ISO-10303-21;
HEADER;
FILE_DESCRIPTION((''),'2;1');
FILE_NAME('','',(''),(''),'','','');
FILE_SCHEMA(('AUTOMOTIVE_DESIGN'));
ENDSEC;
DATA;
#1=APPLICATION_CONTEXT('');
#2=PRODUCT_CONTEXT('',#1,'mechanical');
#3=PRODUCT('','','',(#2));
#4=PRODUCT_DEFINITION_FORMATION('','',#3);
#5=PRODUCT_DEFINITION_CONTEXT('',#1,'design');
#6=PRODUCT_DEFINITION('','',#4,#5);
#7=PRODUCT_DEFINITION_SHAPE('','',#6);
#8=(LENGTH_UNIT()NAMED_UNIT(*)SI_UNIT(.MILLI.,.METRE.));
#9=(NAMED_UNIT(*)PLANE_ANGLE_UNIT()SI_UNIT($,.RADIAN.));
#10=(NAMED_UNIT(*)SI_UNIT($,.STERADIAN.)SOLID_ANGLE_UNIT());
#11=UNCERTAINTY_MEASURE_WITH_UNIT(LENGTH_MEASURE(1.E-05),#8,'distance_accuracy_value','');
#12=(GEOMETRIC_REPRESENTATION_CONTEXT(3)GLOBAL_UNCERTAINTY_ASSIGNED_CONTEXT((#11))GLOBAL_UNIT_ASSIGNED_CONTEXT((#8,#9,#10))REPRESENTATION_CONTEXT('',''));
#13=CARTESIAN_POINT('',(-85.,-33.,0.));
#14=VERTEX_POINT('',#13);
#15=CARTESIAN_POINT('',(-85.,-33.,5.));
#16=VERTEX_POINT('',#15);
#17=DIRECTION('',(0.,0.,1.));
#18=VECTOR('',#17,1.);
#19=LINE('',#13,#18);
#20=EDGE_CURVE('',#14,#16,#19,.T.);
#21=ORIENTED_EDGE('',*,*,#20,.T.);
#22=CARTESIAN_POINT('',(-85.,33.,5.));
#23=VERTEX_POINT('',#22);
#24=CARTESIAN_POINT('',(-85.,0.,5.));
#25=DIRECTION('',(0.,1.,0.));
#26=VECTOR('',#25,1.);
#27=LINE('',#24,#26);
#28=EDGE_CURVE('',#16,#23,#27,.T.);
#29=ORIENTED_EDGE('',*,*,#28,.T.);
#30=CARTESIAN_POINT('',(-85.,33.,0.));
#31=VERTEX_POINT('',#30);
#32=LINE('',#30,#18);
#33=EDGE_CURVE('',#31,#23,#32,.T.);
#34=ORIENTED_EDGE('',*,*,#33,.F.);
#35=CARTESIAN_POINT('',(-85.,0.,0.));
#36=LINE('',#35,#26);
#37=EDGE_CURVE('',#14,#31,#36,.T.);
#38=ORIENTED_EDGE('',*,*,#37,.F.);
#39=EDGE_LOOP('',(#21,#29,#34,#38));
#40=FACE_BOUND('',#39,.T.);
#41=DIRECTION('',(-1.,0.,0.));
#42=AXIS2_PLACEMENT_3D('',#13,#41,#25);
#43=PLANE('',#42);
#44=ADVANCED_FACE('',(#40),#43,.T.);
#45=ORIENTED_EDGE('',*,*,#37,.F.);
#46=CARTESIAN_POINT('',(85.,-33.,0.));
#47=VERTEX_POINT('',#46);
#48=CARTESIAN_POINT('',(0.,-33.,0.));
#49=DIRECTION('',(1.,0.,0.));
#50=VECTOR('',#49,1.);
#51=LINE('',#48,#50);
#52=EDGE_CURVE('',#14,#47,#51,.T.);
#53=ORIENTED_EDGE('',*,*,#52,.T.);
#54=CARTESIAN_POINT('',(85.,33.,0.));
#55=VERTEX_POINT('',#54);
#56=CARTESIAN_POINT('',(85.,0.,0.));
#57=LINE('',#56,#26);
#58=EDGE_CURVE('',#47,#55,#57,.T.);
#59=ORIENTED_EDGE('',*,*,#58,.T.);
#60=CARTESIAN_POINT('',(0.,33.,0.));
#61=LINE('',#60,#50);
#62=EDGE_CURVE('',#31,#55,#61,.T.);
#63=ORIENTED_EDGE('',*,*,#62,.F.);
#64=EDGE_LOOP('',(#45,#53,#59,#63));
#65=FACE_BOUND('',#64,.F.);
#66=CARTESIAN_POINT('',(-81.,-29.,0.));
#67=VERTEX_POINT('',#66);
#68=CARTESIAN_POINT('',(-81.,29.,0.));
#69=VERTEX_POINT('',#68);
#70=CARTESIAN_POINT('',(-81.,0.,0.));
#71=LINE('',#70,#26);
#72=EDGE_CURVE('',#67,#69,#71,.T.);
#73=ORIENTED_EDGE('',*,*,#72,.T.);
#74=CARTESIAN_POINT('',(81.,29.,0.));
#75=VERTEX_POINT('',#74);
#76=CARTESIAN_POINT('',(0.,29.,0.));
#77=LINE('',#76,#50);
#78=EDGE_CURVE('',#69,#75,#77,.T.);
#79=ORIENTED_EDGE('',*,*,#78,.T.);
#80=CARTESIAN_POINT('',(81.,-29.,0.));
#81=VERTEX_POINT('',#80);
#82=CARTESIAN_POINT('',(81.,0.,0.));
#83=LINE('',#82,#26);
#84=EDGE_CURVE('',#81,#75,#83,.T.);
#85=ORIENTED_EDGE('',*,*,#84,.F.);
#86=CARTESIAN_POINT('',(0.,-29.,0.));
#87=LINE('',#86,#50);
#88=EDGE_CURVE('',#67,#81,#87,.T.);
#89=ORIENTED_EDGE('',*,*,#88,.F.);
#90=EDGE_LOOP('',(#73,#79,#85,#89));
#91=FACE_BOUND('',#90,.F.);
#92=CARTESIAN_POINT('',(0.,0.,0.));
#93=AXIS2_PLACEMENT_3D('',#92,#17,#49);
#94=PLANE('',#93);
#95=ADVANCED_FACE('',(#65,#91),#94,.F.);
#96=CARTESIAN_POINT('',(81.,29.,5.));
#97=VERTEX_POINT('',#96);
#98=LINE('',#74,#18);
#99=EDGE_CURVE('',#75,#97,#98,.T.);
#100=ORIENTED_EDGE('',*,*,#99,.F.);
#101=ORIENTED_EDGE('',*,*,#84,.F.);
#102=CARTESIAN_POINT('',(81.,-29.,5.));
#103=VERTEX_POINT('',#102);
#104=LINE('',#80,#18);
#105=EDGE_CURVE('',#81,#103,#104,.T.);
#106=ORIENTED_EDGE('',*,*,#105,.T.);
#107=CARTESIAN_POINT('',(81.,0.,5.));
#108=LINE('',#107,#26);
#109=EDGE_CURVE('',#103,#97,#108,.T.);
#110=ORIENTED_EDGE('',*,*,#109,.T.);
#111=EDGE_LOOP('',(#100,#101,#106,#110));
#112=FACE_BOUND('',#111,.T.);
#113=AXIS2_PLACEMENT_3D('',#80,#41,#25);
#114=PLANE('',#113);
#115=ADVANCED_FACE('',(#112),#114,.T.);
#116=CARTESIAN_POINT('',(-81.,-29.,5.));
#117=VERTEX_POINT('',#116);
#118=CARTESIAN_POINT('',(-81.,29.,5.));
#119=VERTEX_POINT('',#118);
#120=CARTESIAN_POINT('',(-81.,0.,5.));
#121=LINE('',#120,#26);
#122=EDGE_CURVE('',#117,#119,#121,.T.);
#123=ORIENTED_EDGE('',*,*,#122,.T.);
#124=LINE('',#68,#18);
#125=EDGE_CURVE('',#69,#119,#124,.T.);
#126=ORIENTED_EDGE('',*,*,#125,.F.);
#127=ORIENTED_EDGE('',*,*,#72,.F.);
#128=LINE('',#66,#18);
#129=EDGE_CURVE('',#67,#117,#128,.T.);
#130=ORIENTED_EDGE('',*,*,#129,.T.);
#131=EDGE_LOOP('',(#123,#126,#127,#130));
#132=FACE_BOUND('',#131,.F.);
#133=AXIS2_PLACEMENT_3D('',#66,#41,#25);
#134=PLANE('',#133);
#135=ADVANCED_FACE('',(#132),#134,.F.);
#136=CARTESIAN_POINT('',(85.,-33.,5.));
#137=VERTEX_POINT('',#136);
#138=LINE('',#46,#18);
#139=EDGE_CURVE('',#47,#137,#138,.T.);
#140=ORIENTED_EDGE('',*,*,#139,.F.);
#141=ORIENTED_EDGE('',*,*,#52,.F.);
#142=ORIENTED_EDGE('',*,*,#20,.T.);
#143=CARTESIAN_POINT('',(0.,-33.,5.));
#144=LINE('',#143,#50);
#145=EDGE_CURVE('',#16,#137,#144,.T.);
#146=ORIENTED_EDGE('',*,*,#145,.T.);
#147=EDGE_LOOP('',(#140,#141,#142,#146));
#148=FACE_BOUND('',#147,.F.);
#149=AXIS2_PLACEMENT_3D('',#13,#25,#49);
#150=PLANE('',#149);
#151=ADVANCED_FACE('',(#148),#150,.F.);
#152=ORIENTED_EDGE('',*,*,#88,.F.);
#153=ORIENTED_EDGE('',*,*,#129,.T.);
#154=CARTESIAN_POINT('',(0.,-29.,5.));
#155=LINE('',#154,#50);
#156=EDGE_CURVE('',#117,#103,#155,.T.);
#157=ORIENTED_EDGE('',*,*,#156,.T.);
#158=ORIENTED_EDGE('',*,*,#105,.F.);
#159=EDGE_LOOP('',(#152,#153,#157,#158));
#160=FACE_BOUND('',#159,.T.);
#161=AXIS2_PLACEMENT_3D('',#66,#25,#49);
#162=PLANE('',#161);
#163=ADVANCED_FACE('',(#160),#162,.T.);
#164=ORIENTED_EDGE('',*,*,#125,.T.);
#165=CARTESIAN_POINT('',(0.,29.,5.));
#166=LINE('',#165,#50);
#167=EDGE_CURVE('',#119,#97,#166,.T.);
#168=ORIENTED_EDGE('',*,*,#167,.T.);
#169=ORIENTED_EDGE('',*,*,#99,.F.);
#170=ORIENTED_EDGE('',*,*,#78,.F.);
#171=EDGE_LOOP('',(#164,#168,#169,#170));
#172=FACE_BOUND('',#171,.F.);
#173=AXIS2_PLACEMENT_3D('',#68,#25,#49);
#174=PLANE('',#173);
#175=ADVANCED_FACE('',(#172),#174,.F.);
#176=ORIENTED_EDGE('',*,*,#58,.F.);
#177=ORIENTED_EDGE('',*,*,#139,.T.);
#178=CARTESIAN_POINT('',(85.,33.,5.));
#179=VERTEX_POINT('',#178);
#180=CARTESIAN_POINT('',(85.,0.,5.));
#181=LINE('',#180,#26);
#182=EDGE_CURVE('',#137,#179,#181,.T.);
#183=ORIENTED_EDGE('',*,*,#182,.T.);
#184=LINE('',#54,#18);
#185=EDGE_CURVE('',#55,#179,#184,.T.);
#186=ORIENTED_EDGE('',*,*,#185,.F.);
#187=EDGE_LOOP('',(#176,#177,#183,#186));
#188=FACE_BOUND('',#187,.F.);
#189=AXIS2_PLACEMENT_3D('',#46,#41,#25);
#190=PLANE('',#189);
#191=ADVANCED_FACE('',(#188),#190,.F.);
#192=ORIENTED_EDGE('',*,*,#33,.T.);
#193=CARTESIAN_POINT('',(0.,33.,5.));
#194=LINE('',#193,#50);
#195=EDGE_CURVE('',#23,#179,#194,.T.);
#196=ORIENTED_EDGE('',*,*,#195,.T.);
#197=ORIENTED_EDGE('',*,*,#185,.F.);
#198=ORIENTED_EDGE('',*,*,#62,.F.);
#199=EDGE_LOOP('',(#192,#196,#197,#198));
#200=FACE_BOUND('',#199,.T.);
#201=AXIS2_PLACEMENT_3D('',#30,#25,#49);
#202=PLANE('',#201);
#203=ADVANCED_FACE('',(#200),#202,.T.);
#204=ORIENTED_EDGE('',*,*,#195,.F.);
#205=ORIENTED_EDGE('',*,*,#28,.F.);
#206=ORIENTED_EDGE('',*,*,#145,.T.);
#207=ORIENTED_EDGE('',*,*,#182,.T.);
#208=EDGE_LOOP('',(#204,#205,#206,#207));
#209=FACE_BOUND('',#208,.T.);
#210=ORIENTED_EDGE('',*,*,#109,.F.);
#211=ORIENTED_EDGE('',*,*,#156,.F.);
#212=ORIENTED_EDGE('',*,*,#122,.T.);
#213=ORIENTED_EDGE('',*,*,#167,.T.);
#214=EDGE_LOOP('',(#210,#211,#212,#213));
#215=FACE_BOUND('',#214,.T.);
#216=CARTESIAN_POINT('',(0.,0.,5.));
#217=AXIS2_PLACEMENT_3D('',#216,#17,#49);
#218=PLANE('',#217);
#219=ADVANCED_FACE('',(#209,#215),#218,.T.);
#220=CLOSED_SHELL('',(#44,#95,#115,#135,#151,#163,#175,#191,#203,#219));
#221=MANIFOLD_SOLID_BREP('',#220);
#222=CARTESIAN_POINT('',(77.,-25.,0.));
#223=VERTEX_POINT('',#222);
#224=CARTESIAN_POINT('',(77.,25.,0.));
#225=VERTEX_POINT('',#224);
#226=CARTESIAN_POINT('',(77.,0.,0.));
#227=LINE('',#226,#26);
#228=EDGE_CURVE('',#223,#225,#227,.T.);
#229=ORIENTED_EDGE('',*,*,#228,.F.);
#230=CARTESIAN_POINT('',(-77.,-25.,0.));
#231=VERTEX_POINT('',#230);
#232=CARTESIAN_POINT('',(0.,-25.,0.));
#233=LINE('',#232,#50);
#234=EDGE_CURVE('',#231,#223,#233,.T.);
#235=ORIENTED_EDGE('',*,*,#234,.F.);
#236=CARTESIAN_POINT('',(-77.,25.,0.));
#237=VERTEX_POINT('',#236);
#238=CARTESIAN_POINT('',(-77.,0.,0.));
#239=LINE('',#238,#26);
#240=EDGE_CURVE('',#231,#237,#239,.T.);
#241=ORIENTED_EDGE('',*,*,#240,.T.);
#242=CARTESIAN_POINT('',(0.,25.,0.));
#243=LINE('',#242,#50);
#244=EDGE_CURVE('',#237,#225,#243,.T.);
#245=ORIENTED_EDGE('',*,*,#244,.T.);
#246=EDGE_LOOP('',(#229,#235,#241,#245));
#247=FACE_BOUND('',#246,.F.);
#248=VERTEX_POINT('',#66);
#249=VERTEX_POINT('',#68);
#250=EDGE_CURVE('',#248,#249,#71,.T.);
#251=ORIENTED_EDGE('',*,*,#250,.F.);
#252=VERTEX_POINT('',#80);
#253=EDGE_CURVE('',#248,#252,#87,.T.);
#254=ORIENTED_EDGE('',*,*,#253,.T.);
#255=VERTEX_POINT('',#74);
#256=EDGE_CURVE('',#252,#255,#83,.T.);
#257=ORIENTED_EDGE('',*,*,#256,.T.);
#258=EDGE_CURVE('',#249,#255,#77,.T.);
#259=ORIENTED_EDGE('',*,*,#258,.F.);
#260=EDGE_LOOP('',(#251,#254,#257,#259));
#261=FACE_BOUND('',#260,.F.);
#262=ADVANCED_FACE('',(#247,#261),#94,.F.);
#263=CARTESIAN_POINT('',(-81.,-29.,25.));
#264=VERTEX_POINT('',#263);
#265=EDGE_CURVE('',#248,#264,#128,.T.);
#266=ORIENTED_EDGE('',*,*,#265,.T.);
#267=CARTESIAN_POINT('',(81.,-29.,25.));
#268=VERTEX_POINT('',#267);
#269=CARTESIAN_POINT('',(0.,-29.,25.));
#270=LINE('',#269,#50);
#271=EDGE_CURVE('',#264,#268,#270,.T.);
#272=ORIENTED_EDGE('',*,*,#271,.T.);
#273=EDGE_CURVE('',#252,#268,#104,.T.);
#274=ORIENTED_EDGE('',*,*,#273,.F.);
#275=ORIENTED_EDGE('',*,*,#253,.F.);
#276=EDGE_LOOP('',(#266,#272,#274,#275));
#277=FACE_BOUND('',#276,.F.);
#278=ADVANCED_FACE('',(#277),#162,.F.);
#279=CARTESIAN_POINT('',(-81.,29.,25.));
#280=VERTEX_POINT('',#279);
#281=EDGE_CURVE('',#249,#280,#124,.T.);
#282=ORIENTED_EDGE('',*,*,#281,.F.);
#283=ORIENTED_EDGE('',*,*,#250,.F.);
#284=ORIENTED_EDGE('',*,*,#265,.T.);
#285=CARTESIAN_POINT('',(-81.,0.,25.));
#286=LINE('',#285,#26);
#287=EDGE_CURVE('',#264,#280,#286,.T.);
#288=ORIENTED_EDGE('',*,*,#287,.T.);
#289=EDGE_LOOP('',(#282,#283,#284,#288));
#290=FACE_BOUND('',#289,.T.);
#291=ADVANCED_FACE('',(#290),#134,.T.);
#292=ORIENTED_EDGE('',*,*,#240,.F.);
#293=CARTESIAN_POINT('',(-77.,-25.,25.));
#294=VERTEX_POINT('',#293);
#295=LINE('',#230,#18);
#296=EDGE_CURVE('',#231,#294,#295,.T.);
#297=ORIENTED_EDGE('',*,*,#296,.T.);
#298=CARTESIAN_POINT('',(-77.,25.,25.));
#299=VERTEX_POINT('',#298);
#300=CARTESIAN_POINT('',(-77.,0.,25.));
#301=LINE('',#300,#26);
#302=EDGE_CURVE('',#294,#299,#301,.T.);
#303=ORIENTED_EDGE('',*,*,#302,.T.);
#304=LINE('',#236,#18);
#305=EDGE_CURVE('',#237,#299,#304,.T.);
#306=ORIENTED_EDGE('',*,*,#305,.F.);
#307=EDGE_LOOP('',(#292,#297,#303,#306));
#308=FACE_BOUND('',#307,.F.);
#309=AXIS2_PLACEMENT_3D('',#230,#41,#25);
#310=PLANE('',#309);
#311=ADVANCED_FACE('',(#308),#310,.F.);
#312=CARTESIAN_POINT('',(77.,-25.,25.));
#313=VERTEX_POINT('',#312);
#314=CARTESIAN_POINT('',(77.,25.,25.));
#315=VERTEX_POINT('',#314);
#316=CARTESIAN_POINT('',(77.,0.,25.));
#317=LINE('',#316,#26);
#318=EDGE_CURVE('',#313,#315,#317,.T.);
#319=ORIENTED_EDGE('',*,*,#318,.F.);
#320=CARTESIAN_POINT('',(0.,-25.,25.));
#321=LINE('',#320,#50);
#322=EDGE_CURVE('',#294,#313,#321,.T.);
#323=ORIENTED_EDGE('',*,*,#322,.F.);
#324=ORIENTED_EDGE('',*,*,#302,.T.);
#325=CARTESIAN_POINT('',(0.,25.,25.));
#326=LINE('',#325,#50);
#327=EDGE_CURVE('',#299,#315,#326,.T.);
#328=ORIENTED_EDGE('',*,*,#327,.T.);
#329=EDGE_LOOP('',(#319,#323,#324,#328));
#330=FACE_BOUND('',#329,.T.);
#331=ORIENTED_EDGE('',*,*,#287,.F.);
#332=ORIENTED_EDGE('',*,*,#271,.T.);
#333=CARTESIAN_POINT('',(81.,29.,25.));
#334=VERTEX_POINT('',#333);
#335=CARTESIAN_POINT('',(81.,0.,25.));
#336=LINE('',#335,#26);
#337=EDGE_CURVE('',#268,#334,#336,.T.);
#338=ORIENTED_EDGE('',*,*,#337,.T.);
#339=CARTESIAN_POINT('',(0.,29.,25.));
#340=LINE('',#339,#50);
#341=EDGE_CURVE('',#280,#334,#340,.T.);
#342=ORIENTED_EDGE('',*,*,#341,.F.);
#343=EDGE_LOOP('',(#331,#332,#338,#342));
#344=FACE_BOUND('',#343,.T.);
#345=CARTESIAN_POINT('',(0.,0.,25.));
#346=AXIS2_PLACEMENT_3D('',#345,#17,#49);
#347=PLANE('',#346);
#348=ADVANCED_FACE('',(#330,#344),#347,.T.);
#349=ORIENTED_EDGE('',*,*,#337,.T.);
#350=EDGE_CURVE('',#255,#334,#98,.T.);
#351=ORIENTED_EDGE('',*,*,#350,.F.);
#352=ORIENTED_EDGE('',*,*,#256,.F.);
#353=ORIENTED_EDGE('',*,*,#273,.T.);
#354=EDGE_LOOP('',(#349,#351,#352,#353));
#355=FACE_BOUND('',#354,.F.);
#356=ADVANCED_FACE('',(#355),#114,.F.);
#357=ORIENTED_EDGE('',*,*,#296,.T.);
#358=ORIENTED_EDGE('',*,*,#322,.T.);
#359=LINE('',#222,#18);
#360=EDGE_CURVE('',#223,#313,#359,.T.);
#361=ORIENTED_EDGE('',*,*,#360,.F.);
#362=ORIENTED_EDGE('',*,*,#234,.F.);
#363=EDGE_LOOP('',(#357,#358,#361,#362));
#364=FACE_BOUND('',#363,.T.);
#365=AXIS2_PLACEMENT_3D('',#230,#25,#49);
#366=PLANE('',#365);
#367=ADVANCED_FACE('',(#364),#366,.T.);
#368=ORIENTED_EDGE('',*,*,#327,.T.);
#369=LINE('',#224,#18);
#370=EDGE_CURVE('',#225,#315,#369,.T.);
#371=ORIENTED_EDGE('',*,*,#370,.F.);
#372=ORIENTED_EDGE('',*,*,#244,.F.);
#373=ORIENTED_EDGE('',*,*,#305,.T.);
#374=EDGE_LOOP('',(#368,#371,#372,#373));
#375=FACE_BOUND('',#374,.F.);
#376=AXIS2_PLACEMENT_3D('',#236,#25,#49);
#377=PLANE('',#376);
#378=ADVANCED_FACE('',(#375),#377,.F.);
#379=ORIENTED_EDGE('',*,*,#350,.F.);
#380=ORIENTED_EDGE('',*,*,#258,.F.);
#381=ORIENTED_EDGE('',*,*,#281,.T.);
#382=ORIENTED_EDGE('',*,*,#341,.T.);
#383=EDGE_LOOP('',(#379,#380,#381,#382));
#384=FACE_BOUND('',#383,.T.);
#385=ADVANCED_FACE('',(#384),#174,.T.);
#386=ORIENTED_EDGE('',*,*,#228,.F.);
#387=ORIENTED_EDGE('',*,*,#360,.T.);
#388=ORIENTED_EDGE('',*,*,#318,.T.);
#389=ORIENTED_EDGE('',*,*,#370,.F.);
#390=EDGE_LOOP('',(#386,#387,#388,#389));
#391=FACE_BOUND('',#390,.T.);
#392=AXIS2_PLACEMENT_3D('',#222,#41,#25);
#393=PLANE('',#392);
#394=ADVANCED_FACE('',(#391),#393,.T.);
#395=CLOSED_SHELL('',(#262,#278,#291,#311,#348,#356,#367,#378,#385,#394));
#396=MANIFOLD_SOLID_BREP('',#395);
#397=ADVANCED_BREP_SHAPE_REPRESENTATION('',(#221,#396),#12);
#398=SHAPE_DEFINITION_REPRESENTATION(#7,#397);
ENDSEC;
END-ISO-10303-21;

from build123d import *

# Parameters (mm, degrees)
F0_W     = 170
F0_H     = 66
F0_W_2   = 162
F0_H_2   = 58
F1_DEPTH = 5
F0_W_3   = 154
F0_H_3   = 50
F2_DEPTH = 25


with BuildPart() as f1:
    # F0 (on Top) → F1 (new body)
    with BuildSketch(Plane.XY):
        Rectangle(F0_W, F0_H)
        Rectangle(F0_W_2, F0_H_2, mode=Mode.SUBTRACT)
    extrude(amount=F1_DEPTH)


with BuildPart() as f2:
    # F0 (on Top) → F2 (new body)
    with BuildSketch(Plane.XY):
        Rectangle(F0_W_2, F0_H_2)
        Rectangle(F0_W_3, F0_H_3, mode=Mode.SUBTRACT)
    extrude(amount=F2_DEPTH)


solid = Compound([f1.part, f2.part])
